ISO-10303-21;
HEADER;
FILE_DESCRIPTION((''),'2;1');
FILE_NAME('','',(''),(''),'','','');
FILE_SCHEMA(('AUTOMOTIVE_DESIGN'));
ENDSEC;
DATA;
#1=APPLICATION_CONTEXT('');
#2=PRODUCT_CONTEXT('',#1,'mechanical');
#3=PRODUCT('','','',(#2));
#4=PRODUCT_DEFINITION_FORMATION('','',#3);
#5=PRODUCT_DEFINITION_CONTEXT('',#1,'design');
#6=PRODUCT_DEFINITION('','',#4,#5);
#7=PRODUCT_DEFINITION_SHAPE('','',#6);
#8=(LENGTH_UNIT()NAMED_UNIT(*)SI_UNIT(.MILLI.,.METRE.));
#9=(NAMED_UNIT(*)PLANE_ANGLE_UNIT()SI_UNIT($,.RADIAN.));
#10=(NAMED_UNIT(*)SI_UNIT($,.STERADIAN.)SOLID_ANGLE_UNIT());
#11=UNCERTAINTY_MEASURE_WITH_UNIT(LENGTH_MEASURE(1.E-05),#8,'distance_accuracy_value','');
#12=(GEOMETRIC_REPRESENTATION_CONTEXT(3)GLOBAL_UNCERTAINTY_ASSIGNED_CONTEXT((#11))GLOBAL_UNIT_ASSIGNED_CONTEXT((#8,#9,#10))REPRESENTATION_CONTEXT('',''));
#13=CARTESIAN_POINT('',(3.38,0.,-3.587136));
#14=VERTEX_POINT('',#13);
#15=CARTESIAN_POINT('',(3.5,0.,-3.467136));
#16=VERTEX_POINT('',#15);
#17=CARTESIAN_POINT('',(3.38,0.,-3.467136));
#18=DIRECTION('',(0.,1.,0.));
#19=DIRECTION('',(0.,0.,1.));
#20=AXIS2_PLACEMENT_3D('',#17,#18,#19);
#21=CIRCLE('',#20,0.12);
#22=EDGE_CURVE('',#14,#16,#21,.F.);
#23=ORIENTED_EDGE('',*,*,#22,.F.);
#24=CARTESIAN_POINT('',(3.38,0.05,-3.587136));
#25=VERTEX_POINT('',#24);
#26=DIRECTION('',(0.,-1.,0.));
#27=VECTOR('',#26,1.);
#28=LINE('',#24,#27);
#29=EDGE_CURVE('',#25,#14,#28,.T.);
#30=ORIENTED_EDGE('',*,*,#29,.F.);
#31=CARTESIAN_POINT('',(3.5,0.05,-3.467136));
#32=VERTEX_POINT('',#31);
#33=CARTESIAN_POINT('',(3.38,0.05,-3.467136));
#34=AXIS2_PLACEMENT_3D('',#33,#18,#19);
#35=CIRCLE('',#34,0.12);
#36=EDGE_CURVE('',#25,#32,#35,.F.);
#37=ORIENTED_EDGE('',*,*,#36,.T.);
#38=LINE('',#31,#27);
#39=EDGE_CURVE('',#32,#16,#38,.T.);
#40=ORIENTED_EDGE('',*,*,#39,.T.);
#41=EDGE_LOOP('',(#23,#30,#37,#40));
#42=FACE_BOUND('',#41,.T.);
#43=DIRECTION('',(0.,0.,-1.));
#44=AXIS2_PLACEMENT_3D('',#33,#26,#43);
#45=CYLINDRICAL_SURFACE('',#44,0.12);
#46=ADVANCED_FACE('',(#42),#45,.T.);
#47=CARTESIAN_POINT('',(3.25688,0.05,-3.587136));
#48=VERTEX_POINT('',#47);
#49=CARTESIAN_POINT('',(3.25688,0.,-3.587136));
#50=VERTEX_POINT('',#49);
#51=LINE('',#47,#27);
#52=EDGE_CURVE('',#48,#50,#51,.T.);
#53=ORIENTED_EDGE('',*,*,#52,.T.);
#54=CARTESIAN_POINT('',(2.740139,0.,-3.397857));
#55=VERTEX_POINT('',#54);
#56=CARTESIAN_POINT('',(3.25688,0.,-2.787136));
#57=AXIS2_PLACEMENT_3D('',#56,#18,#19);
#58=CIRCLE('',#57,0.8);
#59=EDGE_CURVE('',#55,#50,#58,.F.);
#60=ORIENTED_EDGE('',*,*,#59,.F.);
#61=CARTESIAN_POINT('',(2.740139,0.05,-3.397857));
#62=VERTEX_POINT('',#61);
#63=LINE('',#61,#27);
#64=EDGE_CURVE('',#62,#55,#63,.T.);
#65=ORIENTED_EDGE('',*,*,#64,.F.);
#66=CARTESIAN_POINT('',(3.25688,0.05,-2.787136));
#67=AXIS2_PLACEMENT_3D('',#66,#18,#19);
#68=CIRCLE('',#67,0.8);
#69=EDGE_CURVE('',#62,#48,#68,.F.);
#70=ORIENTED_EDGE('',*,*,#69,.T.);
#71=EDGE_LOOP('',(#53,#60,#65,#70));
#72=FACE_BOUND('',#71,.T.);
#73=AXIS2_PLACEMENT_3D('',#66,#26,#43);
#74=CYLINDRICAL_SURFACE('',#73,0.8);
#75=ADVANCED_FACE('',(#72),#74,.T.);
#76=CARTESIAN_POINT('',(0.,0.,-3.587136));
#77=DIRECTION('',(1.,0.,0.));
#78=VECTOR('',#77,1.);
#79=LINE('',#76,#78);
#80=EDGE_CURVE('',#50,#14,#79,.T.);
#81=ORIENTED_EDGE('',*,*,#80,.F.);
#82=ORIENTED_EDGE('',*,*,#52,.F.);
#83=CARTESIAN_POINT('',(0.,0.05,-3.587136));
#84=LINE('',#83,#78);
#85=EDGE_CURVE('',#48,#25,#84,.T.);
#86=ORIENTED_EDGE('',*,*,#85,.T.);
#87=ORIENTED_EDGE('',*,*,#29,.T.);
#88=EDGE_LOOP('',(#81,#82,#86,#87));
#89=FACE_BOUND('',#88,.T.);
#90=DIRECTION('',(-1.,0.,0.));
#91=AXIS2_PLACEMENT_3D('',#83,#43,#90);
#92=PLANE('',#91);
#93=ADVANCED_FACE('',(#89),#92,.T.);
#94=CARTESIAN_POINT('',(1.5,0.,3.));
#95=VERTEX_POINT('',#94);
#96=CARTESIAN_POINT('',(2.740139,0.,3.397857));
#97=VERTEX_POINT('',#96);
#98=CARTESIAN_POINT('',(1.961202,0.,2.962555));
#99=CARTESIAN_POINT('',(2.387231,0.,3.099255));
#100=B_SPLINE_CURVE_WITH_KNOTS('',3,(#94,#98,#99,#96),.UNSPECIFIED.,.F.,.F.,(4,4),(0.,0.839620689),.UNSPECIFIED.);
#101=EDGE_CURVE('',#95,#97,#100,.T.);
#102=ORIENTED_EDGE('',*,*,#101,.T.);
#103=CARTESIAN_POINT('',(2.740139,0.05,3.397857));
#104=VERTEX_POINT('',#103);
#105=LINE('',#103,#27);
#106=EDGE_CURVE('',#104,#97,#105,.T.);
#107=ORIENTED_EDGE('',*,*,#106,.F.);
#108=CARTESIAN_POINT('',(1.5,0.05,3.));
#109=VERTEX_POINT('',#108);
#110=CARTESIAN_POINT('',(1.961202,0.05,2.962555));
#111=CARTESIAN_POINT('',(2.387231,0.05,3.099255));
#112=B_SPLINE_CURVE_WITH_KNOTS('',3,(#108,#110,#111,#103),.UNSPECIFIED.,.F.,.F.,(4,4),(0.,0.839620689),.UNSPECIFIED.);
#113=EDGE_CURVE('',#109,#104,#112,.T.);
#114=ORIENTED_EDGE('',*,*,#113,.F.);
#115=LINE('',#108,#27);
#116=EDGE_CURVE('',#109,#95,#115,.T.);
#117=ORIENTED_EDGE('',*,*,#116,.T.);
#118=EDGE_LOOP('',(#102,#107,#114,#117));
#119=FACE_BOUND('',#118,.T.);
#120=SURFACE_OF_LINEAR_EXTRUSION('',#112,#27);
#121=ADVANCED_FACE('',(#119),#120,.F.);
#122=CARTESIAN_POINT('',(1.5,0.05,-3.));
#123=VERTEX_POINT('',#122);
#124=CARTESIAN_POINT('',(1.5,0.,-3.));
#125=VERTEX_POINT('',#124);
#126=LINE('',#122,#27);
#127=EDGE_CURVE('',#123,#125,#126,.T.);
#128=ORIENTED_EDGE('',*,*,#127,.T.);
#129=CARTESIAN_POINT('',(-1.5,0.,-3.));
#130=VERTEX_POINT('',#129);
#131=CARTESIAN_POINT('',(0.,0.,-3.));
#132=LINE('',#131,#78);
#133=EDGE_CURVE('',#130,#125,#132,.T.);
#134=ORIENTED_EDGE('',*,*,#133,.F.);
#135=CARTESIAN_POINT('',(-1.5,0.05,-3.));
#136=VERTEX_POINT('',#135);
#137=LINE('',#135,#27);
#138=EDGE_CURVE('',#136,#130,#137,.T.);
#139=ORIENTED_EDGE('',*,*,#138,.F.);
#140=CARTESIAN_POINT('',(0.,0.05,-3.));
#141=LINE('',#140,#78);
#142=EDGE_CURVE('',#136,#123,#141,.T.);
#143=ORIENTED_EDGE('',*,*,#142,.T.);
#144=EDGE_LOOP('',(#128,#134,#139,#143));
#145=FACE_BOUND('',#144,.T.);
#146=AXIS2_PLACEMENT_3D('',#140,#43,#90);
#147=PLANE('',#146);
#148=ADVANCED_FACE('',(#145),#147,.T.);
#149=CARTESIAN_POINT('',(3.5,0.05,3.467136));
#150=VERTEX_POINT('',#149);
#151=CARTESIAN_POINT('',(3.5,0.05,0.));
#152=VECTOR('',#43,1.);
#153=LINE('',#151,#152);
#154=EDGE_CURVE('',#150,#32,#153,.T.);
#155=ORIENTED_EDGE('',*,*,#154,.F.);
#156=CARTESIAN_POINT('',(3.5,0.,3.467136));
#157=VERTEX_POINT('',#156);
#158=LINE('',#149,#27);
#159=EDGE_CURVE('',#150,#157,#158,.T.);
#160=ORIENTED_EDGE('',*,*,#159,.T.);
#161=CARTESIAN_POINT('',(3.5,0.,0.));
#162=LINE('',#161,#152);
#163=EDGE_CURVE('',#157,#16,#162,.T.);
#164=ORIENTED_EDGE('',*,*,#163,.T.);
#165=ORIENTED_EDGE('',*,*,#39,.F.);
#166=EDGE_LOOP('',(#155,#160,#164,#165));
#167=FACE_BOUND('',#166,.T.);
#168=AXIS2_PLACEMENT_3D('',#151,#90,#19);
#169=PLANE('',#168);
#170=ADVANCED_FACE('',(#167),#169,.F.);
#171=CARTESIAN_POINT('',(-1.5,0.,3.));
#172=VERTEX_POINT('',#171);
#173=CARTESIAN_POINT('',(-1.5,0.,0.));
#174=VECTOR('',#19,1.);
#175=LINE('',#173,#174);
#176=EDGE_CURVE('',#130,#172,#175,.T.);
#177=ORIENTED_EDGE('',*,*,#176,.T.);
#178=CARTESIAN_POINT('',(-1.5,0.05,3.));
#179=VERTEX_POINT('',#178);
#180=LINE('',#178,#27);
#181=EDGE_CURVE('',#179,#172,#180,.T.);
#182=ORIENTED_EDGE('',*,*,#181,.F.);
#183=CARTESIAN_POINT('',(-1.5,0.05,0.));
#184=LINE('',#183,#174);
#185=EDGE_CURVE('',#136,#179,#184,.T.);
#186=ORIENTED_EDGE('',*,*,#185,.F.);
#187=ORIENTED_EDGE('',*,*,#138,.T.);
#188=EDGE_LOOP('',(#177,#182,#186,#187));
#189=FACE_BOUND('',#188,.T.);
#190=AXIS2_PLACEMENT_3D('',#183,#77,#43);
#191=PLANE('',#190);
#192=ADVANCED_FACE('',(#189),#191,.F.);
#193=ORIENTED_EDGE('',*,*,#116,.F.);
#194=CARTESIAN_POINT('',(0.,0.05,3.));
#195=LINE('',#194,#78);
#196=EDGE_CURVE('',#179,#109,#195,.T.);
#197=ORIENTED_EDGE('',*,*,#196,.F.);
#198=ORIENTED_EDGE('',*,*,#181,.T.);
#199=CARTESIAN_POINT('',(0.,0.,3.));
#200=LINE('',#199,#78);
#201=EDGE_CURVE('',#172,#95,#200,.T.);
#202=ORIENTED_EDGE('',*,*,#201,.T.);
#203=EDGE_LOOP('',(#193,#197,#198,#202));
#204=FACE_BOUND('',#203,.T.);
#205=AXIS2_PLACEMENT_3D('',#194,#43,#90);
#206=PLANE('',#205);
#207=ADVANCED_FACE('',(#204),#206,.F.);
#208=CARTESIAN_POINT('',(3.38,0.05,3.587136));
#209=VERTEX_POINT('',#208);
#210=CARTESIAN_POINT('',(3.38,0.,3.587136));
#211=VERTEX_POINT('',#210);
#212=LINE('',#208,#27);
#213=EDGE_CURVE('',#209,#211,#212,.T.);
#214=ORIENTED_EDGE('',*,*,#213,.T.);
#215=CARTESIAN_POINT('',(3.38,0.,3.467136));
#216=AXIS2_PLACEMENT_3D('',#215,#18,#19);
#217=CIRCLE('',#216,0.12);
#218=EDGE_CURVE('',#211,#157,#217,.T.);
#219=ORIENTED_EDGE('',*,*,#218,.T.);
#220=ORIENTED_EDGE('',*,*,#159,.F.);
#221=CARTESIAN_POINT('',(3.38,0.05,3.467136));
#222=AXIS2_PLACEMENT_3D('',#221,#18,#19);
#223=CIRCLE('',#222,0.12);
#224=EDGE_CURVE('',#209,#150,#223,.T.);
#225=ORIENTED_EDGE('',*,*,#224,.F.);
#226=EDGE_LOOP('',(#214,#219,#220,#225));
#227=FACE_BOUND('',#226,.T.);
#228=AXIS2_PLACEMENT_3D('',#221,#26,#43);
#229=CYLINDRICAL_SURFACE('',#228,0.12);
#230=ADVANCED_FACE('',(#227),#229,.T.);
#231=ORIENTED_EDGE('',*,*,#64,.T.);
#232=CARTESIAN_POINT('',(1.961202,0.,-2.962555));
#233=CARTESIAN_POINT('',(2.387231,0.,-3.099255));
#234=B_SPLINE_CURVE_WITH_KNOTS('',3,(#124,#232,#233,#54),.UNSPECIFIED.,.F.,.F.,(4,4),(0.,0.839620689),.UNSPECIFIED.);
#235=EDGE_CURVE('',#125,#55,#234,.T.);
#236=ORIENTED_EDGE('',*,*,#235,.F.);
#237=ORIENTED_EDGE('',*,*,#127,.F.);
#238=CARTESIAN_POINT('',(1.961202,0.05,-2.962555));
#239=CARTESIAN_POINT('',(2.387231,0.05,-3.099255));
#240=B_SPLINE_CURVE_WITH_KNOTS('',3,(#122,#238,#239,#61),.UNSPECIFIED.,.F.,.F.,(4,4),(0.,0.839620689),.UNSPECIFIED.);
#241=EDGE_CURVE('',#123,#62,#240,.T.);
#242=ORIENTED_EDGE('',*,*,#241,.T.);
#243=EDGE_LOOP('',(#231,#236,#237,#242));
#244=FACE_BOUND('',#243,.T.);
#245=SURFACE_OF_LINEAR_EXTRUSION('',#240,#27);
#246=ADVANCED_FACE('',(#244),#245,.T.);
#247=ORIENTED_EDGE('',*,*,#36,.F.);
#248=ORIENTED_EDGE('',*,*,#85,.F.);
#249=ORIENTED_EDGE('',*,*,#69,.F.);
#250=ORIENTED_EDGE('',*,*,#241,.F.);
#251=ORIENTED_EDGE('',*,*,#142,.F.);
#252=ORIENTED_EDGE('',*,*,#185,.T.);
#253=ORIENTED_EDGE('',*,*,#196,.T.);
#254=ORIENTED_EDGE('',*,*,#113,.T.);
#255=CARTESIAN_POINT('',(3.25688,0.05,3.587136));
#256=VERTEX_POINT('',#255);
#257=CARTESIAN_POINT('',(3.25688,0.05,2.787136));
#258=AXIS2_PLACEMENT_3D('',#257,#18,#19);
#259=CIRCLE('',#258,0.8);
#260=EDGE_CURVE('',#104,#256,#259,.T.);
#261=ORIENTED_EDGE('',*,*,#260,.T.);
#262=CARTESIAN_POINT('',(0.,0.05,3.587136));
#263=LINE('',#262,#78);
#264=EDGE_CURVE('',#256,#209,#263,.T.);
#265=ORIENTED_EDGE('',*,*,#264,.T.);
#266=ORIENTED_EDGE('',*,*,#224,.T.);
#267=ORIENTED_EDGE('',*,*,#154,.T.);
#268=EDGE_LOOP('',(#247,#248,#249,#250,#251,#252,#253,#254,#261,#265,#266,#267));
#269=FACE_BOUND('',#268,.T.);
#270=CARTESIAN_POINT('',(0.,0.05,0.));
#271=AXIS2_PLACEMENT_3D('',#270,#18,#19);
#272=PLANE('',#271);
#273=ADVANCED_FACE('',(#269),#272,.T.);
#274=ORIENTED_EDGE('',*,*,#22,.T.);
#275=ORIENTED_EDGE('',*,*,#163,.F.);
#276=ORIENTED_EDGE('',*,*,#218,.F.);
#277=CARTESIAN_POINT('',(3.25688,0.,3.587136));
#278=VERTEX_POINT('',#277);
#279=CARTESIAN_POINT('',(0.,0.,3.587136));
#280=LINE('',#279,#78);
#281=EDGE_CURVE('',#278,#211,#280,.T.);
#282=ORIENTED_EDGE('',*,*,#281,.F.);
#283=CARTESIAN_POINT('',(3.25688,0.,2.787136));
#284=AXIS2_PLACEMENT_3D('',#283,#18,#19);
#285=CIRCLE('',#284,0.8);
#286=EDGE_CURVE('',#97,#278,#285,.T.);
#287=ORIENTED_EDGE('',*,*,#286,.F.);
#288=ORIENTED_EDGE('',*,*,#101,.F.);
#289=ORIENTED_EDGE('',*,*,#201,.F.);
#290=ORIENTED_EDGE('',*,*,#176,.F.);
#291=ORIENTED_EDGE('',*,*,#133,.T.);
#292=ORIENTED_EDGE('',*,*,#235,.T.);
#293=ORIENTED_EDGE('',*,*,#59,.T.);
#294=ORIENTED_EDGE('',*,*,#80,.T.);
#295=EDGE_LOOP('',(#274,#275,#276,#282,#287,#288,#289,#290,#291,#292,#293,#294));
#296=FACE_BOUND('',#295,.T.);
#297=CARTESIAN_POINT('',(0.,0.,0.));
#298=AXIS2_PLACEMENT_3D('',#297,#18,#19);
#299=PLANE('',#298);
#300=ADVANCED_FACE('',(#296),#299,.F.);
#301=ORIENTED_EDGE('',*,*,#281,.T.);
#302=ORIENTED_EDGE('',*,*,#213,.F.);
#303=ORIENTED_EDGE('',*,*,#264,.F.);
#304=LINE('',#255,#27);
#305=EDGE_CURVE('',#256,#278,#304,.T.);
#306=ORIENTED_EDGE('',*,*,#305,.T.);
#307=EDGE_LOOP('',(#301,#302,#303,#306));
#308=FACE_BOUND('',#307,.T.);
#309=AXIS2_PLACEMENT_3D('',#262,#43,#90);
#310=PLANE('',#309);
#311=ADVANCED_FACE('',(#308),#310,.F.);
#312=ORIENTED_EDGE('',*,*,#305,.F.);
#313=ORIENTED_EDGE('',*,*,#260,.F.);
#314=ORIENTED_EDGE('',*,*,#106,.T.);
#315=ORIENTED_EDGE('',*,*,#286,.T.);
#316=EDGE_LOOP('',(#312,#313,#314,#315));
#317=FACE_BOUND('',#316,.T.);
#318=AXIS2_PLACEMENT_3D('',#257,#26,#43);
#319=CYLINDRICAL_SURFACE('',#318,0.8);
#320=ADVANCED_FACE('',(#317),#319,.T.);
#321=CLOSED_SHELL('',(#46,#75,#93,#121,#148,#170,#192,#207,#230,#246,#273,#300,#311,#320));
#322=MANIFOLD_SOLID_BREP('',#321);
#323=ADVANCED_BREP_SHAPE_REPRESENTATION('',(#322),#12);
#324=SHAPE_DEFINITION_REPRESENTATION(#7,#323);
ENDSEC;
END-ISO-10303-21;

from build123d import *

# Parameters (mm, degrees)
SKETCH_1_W      = 3
SKETCH_1_H      = 6
EXTRUDE_1_DEPTH = 0.05


with BuildPart() as part:
    # 草图1 → 凸台-拉伸1 (new body)
    with BuildSketch(Plane(origin=(0, 0, 0), x_dir=(1, 0, 0), z_dir=(0, 1, 0))):
        Rectangle(SKETCH_1_W, SKETCH_1_H)
        with BuildLine():
            Line((3.5, 0.013586668), (3.5, 3.467136252))
            ThreePointArc((3.5, 3.467136252), (3.464852814, 3.551989066), (3.38, 3.587136252))
            Line((3.38, 3.587136252), (3.256879504, 3.587136252))
            ThreePointArc((3.256879504, 3.587136252), (2.981721672, 3.538327418), (2.740139172, 3.397856671))
            add(Edge.make_bspline(
                [(1.5, 3), (1.961202326, 2.96255509), (2.387230581, 3.099255057), (2.740139172, 3.397856671)],
                knots=[0, 0, 0, 0, 0.839620689, 0.839620689, 0.839620689, 0.839620689], degree=3))
            Line((1.5, 3), (1.5, -3))
            add(Edge.make_bspline(
                [(1.5, -3), (1.961202326, -2.96255509), (2.387230581, -3.099255057), (2.740139172, -3.397856671)],
                knots=[0, 0, 0, 0, 0.839620689, 0.839620689, 0.839620689, 0.839620689], degree=3))
            ThreePointArc((2.740139172, -3.397856671), (2.981721672, -3.538327418), (3.256879504, -3.587136252))
            Line((3.256879504, -3.587136252), (3.38, -3.587136252))
            ThreePointArc((3.38, -3.587136252), (3.464852814, -3.551989066), (3.5, -3.467136252))
            Line((3.5, -3.467136252), (3.5, -0.013586668))
            Line((3.5, -0.013586668), (3.5, 0.013586668))
        make_face()
    extrude(amount=EXTRUDE_1_DEPTH)


solid = part.part
